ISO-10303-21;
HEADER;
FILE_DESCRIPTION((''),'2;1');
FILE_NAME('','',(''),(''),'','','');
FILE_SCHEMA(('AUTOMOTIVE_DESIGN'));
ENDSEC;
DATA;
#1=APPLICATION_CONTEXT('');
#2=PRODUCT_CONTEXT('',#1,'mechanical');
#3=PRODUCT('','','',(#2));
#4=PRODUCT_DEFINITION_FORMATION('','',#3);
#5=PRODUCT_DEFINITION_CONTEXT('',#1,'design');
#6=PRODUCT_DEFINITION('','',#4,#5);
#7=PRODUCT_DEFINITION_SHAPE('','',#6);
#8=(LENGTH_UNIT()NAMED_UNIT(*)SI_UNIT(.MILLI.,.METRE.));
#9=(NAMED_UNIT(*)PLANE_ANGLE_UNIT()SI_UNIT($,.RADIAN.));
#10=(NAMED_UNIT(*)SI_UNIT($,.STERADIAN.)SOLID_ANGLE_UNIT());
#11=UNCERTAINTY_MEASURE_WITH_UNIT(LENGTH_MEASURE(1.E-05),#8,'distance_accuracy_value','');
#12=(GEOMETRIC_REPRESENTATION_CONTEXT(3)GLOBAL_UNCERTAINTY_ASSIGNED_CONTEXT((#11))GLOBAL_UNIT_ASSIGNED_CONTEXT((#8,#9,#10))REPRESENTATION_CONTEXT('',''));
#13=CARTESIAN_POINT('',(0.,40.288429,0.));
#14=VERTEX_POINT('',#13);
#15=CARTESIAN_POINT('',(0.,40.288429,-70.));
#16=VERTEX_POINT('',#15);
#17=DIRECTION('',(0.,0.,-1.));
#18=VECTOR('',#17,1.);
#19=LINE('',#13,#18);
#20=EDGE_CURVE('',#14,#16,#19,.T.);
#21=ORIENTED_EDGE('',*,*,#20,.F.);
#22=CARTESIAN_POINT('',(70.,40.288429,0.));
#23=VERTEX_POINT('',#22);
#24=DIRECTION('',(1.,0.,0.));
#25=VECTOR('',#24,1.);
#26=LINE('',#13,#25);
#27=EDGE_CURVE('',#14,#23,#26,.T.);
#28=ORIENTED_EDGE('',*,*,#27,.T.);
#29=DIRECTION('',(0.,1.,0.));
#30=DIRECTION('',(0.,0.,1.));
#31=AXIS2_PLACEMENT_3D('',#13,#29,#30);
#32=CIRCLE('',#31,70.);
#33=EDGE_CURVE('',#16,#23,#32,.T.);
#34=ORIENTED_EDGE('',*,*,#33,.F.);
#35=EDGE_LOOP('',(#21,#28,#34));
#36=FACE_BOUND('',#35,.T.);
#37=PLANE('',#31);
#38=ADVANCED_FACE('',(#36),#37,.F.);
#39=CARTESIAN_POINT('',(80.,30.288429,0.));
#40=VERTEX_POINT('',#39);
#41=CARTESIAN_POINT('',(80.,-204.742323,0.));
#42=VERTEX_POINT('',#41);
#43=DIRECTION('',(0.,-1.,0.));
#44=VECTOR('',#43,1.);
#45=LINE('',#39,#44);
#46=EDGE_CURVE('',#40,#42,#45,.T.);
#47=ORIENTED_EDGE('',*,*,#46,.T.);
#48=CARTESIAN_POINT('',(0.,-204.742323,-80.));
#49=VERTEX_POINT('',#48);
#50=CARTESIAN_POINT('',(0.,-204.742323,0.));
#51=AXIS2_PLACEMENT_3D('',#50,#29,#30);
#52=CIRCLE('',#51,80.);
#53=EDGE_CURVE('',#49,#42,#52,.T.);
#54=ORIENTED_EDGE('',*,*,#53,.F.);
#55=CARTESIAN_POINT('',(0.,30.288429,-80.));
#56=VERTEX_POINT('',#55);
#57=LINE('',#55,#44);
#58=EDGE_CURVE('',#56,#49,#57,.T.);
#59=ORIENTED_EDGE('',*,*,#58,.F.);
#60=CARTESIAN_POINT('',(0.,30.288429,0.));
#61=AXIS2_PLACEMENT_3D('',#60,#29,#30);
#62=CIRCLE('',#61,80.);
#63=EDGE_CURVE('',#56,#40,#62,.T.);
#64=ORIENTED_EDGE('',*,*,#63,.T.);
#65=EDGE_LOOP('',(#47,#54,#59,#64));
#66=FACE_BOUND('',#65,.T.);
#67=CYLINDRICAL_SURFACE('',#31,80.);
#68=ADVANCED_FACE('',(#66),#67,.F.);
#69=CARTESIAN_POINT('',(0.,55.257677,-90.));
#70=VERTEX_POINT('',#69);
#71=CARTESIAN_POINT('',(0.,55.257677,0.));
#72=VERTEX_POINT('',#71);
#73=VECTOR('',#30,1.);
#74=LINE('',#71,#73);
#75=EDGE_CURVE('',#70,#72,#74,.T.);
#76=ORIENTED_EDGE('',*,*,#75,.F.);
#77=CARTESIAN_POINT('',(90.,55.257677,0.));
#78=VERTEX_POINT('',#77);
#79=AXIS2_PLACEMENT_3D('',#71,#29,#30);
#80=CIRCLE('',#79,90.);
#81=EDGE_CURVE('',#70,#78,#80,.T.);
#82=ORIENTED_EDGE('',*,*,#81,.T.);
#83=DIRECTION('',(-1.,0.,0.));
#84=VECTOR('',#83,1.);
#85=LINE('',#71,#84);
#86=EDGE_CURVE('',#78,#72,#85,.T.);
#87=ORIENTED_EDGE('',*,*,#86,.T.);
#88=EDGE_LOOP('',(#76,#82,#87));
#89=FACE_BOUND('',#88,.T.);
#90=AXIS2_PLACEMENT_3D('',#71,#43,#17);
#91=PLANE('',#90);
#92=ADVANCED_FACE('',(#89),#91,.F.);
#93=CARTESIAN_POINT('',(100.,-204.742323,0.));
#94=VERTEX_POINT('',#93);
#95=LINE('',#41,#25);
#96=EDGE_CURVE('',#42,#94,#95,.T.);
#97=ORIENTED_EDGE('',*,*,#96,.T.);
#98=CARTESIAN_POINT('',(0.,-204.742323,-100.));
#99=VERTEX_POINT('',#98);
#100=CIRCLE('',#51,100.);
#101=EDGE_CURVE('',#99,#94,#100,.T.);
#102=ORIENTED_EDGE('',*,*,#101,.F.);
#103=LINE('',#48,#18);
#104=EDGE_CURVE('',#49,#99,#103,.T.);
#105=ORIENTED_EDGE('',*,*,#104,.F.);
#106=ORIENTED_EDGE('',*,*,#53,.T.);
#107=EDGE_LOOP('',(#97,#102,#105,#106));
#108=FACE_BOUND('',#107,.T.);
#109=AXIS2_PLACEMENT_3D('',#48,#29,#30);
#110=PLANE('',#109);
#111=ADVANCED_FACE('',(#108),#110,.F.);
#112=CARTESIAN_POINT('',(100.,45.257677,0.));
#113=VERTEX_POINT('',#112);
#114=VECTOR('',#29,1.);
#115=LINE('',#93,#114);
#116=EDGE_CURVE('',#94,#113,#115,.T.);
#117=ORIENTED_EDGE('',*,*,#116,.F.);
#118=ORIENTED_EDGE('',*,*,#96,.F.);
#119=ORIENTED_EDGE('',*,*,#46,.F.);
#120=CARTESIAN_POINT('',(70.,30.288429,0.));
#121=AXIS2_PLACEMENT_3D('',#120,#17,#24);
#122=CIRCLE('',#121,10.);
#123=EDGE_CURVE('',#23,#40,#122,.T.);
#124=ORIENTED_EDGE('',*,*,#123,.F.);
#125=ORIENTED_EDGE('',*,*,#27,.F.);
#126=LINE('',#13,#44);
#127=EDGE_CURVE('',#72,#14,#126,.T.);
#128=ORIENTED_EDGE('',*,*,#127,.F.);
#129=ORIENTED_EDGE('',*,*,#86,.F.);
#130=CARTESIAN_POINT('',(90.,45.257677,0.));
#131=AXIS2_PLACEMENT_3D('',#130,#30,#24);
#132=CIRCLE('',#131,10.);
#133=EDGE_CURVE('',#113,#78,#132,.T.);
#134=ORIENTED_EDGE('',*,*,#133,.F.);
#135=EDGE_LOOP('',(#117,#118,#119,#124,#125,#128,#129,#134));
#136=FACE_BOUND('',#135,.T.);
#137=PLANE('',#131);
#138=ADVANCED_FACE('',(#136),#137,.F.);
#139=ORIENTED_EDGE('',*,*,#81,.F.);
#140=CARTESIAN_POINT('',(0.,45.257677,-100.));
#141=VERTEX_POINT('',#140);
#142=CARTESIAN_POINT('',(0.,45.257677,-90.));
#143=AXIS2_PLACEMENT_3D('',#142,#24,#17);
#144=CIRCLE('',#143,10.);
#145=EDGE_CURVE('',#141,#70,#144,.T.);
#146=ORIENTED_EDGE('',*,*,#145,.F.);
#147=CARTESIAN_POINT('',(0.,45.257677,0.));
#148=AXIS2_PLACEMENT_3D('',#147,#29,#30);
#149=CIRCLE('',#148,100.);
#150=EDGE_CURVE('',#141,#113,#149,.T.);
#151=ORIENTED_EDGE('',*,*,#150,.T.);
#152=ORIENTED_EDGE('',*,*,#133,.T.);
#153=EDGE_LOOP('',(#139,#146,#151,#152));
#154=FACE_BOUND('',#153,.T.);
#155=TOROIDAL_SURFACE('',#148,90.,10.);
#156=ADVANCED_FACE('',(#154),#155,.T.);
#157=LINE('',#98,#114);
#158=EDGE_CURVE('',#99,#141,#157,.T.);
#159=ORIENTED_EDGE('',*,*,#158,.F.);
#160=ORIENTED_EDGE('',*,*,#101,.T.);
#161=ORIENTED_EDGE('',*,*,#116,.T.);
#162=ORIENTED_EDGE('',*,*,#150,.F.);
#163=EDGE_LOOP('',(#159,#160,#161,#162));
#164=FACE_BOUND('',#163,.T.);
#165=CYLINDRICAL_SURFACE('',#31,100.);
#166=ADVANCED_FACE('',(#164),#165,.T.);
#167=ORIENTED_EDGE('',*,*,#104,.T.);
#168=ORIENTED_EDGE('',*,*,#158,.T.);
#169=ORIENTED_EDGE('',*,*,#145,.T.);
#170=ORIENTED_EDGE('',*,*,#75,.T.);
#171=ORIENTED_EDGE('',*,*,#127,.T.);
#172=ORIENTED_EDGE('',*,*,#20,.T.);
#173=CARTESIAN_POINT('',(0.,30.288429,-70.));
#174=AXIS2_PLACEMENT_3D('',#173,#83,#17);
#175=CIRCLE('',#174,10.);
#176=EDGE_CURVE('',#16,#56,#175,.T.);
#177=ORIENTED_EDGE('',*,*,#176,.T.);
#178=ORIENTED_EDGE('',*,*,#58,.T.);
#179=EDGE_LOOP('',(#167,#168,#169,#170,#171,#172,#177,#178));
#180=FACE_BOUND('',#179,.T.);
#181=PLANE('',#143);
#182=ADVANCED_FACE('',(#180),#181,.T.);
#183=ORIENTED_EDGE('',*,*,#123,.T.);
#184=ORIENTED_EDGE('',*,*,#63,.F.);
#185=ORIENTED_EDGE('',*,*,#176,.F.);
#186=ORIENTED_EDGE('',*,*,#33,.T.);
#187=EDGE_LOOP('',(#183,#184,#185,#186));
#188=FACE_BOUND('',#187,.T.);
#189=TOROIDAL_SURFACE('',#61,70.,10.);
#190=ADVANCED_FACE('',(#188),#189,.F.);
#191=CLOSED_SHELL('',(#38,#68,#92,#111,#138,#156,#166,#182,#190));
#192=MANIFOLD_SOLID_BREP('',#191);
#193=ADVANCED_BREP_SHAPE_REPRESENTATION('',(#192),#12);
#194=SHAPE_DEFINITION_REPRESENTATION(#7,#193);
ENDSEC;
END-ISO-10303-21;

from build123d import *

# Parameters (mm, degrees)
REVOLVE1_ANGLE = 270


with BuildPart() as part:
    # Sketch1 → Revolve1 (revolve)
    with BuildSketch(Plane.XY):
        with BuildLine():
            Line((0, 40.288428911), (70, 40.288428911))
            ThreePointArc((70, 40.288428911), (77.071067812, 37.359496723), (80, 30.288428911))
            Line((80, 30.288428911), (80, -204.742322884))
            Line((80, -204.742322884), (100, -204.742322884))
            Line((100, -204.742322884), (100, 45.257677116))
            ThreePointArc((100, 45.257677116), (97.071067812, 52.328744927), (90, 55.257677116))
            Line((90, 55.257677116), (0, 55.257677116))
            Line((0, 55.257677116), (0, 40.288428911))
        make_face()
    revolve(axis=Axis((0, 40.288428911, 0), (0, -1, 0)), revolution_arc=REVOLVE1_ANGLE)


solid = part.part
